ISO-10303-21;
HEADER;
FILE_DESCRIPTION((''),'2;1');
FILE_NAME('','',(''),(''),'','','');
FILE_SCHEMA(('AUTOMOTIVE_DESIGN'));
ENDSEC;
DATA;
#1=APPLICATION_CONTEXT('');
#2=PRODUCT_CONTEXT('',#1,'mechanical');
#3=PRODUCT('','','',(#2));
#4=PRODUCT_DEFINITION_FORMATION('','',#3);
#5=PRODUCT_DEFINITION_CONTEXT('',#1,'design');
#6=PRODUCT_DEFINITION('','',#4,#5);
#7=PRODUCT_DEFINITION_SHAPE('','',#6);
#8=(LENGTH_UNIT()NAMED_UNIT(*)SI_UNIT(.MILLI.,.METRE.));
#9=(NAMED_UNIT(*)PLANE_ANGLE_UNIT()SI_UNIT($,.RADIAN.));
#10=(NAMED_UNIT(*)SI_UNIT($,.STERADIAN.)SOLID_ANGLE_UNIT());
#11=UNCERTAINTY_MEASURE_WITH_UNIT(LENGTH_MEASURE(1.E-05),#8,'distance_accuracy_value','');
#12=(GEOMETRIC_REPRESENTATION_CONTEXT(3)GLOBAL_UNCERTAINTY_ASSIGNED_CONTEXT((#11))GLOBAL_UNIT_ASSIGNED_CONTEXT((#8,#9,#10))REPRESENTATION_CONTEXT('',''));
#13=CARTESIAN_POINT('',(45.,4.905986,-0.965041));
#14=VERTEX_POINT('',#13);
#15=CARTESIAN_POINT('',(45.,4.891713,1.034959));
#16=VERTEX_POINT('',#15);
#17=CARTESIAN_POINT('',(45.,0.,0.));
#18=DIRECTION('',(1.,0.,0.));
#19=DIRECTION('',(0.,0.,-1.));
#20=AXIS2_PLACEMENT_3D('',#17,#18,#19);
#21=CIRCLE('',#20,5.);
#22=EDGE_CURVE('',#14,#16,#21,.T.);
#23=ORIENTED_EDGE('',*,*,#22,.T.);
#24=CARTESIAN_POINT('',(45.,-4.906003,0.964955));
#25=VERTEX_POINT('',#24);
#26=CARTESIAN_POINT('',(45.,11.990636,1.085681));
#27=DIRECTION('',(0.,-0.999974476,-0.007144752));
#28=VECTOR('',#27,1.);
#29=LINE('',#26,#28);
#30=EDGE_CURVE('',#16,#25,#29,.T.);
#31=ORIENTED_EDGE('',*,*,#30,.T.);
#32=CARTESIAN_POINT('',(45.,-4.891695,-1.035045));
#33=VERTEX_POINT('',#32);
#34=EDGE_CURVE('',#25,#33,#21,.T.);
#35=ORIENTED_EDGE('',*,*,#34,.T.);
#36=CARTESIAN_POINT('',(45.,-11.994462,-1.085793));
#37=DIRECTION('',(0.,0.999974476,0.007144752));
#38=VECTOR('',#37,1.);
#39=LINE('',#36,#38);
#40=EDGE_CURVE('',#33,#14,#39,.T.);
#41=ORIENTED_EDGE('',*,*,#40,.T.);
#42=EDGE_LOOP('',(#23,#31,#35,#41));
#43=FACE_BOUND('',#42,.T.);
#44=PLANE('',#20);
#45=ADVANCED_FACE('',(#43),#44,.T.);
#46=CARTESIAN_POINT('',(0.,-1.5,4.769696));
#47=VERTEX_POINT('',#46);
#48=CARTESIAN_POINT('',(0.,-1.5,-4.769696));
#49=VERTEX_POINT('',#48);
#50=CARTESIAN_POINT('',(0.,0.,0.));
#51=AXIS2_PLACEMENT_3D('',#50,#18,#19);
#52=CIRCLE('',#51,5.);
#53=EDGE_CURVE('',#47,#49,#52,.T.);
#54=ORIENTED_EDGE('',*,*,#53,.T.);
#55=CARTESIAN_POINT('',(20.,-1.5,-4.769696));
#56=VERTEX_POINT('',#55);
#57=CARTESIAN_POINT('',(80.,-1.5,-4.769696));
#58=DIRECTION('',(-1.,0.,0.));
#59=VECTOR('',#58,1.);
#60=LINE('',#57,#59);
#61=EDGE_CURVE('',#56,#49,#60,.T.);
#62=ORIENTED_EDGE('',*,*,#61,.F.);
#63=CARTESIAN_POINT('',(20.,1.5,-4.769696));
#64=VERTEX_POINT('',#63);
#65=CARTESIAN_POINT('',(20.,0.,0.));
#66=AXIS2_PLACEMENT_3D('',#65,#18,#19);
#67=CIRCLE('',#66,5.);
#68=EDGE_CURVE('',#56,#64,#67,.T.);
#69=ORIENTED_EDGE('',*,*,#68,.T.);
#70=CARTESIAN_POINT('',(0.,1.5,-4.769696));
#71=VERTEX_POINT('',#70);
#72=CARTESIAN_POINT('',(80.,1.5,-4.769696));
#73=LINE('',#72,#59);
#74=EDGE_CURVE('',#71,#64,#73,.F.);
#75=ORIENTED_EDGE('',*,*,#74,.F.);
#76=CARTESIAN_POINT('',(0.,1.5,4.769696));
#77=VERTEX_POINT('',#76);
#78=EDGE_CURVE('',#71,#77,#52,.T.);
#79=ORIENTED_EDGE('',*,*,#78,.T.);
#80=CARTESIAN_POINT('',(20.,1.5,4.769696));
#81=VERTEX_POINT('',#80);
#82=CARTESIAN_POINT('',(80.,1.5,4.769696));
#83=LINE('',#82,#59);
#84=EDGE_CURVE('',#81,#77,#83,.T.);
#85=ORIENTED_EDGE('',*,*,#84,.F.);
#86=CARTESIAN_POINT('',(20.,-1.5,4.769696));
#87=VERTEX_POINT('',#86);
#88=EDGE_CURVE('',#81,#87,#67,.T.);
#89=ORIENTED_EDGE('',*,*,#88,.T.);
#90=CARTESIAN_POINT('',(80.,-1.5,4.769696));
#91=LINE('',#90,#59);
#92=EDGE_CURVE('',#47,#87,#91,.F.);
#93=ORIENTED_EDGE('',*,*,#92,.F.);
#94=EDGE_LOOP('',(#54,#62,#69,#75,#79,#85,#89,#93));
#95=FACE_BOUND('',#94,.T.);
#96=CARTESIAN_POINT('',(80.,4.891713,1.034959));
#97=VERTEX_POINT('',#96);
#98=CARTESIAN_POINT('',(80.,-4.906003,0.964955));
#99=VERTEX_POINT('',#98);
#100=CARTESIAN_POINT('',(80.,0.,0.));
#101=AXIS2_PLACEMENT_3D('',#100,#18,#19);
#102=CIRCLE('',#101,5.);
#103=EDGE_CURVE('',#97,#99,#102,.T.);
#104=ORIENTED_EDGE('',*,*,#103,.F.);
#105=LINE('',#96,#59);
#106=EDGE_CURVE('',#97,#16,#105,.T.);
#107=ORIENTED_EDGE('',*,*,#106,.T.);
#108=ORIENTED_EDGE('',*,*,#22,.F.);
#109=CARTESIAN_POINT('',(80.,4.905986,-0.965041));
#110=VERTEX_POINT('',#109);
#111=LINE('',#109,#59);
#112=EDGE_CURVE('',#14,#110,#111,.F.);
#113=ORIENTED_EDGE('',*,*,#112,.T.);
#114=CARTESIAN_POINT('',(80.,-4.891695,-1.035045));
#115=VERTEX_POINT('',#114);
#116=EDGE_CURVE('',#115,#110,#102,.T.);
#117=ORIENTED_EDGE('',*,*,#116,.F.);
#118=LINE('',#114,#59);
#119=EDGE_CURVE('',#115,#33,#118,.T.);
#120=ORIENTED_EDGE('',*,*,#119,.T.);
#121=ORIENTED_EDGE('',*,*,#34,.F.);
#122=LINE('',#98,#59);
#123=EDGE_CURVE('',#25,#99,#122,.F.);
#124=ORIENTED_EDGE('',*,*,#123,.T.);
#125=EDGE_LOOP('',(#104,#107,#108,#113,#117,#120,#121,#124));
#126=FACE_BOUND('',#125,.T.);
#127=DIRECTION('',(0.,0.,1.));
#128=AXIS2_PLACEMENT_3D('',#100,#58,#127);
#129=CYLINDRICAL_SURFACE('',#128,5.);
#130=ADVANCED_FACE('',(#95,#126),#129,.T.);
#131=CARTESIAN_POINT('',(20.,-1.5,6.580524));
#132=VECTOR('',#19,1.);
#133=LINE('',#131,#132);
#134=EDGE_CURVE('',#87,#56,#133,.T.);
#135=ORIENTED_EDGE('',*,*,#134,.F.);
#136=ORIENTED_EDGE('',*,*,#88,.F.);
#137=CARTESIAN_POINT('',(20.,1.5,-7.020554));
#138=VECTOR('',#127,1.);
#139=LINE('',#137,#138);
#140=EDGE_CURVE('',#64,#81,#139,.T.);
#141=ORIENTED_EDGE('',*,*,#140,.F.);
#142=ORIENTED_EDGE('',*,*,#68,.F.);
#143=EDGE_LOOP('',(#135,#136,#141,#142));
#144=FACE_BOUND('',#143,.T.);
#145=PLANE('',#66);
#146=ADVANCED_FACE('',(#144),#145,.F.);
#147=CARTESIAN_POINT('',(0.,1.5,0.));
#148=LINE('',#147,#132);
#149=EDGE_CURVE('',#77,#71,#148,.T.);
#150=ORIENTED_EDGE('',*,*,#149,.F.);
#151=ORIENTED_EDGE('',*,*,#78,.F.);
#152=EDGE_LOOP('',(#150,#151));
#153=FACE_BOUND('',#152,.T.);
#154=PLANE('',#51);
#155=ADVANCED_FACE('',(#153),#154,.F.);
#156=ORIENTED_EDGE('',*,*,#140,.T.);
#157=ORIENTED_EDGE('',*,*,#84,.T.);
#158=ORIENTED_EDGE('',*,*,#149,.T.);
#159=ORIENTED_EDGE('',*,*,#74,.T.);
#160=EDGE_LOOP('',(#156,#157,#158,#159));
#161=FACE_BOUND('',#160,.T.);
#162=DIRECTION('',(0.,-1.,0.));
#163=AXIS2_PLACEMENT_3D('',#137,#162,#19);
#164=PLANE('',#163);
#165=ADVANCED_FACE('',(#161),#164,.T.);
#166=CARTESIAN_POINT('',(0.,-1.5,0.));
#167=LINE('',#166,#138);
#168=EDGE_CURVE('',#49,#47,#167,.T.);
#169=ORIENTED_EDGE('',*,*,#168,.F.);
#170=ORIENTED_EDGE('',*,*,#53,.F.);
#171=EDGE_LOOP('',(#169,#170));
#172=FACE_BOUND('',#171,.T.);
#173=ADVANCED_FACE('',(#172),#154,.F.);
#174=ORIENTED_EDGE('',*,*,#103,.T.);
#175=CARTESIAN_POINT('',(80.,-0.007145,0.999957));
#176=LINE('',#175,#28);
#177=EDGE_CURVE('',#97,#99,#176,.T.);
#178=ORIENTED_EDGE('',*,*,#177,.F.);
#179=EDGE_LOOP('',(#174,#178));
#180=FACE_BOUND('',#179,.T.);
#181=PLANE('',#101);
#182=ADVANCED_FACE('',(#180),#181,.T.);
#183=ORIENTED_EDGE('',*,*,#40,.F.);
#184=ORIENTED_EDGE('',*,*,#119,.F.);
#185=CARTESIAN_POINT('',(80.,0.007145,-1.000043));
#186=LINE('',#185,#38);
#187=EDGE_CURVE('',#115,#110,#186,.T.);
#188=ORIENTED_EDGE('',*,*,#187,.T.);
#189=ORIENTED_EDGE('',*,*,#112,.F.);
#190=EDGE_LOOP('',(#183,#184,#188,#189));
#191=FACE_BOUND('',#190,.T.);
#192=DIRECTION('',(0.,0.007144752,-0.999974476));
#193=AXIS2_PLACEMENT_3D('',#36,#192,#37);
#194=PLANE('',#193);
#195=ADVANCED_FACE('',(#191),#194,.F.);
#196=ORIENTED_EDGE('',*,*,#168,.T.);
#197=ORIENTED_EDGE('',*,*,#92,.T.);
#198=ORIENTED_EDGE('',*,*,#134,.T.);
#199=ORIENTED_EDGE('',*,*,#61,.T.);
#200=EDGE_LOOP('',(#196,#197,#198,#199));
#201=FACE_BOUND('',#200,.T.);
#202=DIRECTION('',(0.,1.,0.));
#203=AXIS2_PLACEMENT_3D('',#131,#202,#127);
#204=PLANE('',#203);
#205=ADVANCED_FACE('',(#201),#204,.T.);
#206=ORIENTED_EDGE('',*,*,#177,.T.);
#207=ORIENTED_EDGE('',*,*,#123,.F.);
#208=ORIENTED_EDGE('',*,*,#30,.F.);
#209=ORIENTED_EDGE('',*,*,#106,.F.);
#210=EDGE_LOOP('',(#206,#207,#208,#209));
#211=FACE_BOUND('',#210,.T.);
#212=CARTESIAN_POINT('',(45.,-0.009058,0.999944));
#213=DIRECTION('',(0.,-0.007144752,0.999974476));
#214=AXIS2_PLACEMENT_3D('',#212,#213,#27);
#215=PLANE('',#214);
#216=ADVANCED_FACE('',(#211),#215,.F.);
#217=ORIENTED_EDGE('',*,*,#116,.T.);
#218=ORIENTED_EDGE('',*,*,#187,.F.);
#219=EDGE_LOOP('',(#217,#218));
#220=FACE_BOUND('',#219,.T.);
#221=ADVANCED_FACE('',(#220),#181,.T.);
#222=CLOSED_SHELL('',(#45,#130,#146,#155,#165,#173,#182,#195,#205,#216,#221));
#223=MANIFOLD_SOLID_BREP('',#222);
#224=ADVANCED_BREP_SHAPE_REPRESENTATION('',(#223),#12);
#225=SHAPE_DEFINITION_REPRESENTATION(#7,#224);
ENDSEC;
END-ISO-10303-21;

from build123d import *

# Parameters (mm, degrees)
SKETCH_1_R          = 5
EXTRUDE_1_DEPTH     = 80
SKETCH_2_W          = 13.601077261
SKETCH_2_H          = 3
CUT_EXTRUDE_1_DEPTH = 20
CUT_EXTRUDE_2_DEPTH = 35


with BuildPart() as part:
    # 草图1 → 凸台-拉伸1 (new body)
    with BuildSketch(Plane(origin=(0, 0, 0), x_dir=(0, 0, -1), z_dir=(1, 0, 0))):
        Circle(SKETCH_1_R)
    extrude(amount=EXTRUDE_1_DEPTH)

    # 草图2 → 切除-拉伸1 (cut)
    with BuildSketch(Plane(origin=(0, 0, 0), x_dir=(0, 0, -1), z_dir=(1, 0, 0))):
        with Locations((0.220015061, 0)):
            Rectangle(SKETCH_2_W, SKETCH_2_H)
    extrude(amount=CUT_EXTRUDE_1_DEPTH, mode=Mode.SUBTRACT)

    # 草图3 → 切除-拉伸2 (cut)
    with BuildSketch(Plane(origin=(80, 0, 0), x_dir=(0, 0, -1), z_dir=(1, 0, 0))):
        Polygon((-0.999943638, -0.009058055), (-0.914206616, -12.008751766), (1.085793384, -11.994461897), (0.91431934, 12.004925525), (-1.08568066, 11.990635657), align=None)
    extrude(amount=-CUT_EXTRUDE_2_DEPTH, mode=Mode.SUBTRACT)


solid = part.part
